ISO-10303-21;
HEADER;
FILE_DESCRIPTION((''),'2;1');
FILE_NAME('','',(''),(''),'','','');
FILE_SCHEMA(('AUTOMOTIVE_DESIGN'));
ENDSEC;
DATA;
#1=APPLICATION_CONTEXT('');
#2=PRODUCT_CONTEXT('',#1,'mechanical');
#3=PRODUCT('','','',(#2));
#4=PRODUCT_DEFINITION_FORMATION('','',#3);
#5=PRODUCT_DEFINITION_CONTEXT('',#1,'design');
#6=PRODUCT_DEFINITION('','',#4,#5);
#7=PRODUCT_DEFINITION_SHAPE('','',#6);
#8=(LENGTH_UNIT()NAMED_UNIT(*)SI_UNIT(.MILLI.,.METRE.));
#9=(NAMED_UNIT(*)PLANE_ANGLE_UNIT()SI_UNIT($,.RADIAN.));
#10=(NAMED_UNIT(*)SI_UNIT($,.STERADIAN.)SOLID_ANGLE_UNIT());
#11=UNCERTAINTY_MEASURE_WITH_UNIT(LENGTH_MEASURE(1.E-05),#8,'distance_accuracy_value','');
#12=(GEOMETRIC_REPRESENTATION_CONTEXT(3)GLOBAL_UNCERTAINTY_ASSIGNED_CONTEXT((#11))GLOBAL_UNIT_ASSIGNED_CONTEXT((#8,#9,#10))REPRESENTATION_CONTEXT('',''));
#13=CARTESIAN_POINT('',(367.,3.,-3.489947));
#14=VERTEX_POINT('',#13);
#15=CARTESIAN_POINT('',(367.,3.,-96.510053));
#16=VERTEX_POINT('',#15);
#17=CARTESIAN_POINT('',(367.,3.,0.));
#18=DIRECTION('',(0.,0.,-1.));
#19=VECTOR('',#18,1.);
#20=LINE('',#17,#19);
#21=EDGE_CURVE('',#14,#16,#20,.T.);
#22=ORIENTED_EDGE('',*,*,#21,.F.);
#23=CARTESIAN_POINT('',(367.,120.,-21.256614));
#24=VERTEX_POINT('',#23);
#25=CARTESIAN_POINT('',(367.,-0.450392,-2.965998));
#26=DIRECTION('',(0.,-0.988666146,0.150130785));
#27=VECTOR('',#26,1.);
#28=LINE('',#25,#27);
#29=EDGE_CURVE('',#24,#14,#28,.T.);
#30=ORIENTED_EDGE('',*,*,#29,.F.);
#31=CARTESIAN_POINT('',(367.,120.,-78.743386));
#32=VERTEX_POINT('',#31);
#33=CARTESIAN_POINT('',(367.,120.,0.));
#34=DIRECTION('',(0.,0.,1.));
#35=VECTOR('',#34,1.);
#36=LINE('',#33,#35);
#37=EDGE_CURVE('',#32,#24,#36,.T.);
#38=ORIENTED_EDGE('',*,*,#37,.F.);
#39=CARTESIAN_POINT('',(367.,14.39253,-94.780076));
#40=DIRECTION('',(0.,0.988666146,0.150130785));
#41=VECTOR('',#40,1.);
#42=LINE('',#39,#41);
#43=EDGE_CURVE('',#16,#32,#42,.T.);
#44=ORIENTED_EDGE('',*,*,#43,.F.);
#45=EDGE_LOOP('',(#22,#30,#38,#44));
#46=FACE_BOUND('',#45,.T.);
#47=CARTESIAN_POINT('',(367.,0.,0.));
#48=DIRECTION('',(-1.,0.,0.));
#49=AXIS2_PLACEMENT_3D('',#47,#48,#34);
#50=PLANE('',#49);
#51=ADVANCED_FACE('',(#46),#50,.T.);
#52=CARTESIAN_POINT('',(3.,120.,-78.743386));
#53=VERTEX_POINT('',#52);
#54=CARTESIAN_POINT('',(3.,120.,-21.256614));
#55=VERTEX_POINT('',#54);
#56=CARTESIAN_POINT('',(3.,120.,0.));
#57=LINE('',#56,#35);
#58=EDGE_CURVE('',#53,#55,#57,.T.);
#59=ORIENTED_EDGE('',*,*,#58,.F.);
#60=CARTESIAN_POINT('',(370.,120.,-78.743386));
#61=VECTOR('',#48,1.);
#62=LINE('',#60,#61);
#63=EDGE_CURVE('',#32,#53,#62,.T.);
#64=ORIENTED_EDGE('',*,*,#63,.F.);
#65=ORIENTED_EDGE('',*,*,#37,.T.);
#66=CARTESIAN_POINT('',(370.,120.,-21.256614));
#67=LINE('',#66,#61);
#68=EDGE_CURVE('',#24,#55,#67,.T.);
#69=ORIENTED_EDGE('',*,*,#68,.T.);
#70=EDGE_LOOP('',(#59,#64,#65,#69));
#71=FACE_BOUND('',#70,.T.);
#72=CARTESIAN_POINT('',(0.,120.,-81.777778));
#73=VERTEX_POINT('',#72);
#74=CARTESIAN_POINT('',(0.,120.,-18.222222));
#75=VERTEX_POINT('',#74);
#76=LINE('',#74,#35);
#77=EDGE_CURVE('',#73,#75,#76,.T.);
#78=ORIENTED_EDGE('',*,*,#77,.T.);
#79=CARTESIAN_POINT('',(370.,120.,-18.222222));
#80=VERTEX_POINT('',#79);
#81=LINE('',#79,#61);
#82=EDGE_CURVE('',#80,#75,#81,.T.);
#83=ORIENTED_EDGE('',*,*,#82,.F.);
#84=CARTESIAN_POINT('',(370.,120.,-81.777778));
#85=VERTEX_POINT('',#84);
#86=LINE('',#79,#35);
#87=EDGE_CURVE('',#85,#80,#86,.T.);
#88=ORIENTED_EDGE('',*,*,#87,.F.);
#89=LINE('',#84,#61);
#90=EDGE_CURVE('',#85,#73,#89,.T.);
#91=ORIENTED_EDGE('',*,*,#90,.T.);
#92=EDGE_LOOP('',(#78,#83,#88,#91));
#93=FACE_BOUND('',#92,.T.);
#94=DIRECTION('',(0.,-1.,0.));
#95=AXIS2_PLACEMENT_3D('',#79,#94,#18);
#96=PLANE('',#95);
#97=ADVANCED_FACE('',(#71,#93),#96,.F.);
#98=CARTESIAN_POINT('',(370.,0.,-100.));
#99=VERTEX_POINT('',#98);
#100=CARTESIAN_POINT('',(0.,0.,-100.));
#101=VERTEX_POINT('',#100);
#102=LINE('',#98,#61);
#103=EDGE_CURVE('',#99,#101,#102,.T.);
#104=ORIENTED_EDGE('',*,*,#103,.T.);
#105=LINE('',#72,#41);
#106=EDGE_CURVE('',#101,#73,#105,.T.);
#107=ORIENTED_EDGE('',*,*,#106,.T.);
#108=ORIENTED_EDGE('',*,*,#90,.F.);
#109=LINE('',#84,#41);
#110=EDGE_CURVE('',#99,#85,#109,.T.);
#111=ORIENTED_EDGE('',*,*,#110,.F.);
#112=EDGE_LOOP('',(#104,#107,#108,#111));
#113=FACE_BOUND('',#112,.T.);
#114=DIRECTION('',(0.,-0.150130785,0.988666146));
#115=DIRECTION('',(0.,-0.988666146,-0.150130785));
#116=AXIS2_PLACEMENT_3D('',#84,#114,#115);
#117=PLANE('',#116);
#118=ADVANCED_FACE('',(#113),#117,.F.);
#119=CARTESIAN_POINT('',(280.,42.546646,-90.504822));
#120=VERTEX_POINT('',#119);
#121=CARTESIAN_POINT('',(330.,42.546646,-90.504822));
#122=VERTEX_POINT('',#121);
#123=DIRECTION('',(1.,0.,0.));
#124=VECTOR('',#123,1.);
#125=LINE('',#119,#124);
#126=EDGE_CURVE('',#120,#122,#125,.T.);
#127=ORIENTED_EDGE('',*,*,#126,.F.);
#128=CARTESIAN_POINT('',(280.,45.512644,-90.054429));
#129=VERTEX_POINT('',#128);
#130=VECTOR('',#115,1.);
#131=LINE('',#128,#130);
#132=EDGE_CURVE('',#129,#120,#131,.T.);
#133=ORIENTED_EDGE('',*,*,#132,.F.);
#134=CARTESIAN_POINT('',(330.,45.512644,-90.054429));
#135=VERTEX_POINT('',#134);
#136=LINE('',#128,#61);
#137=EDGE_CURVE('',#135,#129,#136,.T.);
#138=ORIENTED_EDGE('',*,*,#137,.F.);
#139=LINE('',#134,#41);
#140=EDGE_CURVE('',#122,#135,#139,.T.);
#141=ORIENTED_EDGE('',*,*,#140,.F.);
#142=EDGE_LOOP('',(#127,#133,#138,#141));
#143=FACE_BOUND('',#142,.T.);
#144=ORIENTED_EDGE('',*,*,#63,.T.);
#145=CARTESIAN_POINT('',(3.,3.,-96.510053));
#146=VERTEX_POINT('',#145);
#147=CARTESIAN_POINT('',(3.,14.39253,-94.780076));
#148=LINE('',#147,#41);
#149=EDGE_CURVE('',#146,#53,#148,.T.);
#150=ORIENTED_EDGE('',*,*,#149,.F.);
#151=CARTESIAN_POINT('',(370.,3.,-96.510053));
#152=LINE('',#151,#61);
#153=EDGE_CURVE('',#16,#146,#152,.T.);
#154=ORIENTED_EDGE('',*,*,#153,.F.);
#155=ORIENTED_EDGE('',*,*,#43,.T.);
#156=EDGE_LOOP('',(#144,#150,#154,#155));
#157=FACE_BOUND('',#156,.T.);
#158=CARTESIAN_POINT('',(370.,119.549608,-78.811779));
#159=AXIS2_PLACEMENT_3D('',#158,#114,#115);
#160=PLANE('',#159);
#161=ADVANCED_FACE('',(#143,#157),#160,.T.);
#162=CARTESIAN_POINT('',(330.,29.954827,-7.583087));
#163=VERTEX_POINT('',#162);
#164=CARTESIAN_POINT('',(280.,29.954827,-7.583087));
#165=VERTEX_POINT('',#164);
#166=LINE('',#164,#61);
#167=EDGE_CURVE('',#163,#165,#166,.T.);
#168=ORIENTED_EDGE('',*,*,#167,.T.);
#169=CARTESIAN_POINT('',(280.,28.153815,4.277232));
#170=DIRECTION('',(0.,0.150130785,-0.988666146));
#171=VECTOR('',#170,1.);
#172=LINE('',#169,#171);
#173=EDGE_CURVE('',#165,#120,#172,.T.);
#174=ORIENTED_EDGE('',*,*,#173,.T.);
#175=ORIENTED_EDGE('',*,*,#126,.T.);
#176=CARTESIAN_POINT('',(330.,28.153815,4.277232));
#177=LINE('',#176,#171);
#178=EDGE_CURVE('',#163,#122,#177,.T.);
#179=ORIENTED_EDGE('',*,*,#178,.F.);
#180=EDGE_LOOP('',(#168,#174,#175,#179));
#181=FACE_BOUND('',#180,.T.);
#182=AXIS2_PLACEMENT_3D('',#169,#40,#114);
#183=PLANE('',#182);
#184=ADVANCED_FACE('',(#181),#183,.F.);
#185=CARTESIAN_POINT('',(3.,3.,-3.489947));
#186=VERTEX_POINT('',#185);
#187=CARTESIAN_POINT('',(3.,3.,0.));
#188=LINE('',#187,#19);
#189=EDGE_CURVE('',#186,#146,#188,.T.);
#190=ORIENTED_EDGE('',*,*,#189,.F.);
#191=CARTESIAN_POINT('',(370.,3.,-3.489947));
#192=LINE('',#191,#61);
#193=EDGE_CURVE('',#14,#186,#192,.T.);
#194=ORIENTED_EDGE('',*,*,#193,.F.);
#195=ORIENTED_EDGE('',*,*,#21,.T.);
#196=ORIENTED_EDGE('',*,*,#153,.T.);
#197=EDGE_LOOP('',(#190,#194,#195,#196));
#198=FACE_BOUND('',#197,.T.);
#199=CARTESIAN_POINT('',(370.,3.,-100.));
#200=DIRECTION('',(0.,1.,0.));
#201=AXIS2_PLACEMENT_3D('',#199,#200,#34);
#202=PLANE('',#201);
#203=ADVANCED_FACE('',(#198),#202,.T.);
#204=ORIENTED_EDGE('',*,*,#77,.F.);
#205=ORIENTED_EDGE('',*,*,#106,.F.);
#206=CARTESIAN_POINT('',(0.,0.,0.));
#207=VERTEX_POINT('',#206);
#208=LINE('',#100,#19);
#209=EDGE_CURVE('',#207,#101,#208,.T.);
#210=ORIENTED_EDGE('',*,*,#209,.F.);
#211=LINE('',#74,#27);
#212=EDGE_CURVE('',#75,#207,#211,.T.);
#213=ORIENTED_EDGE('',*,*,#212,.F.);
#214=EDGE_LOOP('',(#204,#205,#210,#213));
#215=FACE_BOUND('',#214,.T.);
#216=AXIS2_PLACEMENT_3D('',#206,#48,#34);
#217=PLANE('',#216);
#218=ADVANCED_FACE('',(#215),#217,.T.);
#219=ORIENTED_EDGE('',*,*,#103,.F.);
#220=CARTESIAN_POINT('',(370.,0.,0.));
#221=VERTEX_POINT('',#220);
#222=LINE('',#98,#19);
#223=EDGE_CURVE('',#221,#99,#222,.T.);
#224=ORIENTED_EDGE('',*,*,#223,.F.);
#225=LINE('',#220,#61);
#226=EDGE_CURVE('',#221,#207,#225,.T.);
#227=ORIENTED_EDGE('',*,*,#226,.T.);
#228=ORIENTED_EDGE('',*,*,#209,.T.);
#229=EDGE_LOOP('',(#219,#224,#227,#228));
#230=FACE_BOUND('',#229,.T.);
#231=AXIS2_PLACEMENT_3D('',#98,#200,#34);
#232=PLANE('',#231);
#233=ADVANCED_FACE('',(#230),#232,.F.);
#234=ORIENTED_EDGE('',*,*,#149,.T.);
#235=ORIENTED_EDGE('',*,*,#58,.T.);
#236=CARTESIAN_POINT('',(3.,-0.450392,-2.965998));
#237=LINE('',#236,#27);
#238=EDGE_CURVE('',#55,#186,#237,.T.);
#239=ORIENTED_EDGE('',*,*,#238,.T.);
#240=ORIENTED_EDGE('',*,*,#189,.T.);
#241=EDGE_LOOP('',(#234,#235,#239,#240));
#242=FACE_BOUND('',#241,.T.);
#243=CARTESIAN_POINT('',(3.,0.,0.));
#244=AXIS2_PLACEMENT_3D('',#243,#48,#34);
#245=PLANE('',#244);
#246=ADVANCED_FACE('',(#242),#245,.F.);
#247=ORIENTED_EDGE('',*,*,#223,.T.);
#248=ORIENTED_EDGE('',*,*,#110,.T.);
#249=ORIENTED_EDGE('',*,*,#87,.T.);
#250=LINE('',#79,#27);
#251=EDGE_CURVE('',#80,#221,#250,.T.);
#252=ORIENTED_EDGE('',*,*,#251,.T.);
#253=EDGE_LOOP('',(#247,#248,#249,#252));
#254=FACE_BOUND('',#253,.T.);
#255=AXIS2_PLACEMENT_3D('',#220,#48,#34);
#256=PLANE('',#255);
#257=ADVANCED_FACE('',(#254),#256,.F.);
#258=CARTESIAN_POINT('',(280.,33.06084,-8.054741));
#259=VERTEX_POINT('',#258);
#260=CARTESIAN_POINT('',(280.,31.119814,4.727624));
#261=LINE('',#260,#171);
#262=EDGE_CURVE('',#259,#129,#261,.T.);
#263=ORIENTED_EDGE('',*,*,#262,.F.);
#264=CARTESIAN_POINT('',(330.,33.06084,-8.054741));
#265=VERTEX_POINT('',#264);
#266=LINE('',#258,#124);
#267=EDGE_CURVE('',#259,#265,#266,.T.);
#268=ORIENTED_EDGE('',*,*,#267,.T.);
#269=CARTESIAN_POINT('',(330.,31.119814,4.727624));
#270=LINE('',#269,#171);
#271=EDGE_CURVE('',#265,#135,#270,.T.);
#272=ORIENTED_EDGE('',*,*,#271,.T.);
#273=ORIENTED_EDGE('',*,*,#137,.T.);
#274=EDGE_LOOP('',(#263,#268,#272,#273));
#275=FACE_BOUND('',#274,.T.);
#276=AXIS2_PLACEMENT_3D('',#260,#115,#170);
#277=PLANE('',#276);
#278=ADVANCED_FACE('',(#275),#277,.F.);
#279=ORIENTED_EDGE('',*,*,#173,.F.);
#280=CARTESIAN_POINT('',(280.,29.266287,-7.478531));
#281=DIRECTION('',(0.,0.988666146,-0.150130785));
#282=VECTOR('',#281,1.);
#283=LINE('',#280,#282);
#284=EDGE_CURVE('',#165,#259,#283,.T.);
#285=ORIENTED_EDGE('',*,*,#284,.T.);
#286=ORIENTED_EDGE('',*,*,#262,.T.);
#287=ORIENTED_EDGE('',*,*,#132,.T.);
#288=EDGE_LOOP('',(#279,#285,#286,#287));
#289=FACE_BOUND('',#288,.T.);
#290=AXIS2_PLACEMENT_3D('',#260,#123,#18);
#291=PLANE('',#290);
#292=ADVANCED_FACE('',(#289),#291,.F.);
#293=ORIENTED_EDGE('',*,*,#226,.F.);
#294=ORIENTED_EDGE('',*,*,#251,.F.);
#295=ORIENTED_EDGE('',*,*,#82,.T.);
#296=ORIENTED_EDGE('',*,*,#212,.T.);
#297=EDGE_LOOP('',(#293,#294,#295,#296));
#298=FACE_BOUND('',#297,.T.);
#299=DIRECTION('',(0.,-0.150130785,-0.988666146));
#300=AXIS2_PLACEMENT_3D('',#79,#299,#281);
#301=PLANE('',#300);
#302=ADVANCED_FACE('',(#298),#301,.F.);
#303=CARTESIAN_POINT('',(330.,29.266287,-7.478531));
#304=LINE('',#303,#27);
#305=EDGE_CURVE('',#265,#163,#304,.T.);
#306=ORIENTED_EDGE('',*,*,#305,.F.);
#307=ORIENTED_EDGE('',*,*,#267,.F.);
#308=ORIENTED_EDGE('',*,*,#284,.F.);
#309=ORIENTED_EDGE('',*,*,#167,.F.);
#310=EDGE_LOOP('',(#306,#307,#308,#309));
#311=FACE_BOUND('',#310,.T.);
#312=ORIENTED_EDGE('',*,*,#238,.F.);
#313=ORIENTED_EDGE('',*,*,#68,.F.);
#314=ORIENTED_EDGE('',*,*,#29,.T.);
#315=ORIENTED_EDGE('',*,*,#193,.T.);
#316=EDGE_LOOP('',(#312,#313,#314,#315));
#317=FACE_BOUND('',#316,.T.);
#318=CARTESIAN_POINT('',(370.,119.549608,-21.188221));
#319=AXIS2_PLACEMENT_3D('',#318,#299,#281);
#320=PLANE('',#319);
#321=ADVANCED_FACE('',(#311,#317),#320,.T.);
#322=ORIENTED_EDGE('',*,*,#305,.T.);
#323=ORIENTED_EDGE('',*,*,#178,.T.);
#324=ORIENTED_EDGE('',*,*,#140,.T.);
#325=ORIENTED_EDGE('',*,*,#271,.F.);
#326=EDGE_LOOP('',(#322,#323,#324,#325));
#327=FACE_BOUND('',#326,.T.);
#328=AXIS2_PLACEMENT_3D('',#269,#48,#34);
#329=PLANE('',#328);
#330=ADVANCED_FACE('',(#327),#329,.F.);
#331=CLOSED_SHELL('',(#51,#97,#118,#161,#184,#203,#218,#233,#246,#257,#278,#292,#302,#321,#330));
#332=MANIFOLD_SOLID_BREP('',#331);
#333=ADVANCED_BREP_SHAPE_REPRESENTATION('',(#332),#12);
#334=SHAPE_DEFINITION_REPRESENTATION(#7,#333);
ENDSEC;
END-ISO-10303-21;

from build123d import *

# Parameters (mm, degrees)
BOSS_EXTRUDE1_DEPTH = 370
SHELL1_T            = -3
BOSS_EXTRUDE2_REACH = 398.278
SKETCH3_W           = 50
SKETCH3_H           = 3


with BuildPart() as part:
    # Sketch2 → Boss-Extrude1 (new body)
    with BuildSketch(Plane(origin=(0, 0, 0), x_dir=(0, 0, -1), z_dir=(1, 0, 0))):
        Polygon((100, 0), (0, 0), (18.222222222, 120), (81.777777778, 120), align=None)
    extrude(amount=BOSS_EXTRUDE1_DEPTH)

    # Shell1
    shell1_openings = [part.faces().sort_by_distance(p)[0] for p in [
        (185, 120, -50),
    ]]
    offset(amount=SHELL1_T, openings=shell1_openings, kind=Kind.INTERSECTION)

    # Boss-Extrude2: up to this plane
    boss_extrude2_end = Plane(origin=(370, 119.549607645, -21.188220659), z_dir=(0, -0.15013078506635866, -0.9886661455594395))
    # Sketch3 → Boss-Extrude2 (add, up to the surface)
    with BuildSketch(Plane(origin=(0, 14.392530105, -94.780076301), x_dir=(1, 0, 0), z_dir=(0, -0.1501307850664947, 0.988666145559419)), mode=Mode.PRIVATE) as boss_extrude2_sk1:
        with Locations((305, 29.976868399)):
            Rectangle(SKETCH3_W, SKETCH3_H)
    boss_extrude2_tool1 = split(extrude(boss_extrude2_sk1.sketch, amount=BOSS_EXTRUDE2_REACH, mode=Mode.PRIVATE), bisect_by=boss_extrude2_end, keep=Keep.BOTH, mode=Mode.PRIVATE)
    add(boss_extrude2_tool1.solids().sort_by_distance((305, 44.029645, -90.279626))[0])


solid = part.part
